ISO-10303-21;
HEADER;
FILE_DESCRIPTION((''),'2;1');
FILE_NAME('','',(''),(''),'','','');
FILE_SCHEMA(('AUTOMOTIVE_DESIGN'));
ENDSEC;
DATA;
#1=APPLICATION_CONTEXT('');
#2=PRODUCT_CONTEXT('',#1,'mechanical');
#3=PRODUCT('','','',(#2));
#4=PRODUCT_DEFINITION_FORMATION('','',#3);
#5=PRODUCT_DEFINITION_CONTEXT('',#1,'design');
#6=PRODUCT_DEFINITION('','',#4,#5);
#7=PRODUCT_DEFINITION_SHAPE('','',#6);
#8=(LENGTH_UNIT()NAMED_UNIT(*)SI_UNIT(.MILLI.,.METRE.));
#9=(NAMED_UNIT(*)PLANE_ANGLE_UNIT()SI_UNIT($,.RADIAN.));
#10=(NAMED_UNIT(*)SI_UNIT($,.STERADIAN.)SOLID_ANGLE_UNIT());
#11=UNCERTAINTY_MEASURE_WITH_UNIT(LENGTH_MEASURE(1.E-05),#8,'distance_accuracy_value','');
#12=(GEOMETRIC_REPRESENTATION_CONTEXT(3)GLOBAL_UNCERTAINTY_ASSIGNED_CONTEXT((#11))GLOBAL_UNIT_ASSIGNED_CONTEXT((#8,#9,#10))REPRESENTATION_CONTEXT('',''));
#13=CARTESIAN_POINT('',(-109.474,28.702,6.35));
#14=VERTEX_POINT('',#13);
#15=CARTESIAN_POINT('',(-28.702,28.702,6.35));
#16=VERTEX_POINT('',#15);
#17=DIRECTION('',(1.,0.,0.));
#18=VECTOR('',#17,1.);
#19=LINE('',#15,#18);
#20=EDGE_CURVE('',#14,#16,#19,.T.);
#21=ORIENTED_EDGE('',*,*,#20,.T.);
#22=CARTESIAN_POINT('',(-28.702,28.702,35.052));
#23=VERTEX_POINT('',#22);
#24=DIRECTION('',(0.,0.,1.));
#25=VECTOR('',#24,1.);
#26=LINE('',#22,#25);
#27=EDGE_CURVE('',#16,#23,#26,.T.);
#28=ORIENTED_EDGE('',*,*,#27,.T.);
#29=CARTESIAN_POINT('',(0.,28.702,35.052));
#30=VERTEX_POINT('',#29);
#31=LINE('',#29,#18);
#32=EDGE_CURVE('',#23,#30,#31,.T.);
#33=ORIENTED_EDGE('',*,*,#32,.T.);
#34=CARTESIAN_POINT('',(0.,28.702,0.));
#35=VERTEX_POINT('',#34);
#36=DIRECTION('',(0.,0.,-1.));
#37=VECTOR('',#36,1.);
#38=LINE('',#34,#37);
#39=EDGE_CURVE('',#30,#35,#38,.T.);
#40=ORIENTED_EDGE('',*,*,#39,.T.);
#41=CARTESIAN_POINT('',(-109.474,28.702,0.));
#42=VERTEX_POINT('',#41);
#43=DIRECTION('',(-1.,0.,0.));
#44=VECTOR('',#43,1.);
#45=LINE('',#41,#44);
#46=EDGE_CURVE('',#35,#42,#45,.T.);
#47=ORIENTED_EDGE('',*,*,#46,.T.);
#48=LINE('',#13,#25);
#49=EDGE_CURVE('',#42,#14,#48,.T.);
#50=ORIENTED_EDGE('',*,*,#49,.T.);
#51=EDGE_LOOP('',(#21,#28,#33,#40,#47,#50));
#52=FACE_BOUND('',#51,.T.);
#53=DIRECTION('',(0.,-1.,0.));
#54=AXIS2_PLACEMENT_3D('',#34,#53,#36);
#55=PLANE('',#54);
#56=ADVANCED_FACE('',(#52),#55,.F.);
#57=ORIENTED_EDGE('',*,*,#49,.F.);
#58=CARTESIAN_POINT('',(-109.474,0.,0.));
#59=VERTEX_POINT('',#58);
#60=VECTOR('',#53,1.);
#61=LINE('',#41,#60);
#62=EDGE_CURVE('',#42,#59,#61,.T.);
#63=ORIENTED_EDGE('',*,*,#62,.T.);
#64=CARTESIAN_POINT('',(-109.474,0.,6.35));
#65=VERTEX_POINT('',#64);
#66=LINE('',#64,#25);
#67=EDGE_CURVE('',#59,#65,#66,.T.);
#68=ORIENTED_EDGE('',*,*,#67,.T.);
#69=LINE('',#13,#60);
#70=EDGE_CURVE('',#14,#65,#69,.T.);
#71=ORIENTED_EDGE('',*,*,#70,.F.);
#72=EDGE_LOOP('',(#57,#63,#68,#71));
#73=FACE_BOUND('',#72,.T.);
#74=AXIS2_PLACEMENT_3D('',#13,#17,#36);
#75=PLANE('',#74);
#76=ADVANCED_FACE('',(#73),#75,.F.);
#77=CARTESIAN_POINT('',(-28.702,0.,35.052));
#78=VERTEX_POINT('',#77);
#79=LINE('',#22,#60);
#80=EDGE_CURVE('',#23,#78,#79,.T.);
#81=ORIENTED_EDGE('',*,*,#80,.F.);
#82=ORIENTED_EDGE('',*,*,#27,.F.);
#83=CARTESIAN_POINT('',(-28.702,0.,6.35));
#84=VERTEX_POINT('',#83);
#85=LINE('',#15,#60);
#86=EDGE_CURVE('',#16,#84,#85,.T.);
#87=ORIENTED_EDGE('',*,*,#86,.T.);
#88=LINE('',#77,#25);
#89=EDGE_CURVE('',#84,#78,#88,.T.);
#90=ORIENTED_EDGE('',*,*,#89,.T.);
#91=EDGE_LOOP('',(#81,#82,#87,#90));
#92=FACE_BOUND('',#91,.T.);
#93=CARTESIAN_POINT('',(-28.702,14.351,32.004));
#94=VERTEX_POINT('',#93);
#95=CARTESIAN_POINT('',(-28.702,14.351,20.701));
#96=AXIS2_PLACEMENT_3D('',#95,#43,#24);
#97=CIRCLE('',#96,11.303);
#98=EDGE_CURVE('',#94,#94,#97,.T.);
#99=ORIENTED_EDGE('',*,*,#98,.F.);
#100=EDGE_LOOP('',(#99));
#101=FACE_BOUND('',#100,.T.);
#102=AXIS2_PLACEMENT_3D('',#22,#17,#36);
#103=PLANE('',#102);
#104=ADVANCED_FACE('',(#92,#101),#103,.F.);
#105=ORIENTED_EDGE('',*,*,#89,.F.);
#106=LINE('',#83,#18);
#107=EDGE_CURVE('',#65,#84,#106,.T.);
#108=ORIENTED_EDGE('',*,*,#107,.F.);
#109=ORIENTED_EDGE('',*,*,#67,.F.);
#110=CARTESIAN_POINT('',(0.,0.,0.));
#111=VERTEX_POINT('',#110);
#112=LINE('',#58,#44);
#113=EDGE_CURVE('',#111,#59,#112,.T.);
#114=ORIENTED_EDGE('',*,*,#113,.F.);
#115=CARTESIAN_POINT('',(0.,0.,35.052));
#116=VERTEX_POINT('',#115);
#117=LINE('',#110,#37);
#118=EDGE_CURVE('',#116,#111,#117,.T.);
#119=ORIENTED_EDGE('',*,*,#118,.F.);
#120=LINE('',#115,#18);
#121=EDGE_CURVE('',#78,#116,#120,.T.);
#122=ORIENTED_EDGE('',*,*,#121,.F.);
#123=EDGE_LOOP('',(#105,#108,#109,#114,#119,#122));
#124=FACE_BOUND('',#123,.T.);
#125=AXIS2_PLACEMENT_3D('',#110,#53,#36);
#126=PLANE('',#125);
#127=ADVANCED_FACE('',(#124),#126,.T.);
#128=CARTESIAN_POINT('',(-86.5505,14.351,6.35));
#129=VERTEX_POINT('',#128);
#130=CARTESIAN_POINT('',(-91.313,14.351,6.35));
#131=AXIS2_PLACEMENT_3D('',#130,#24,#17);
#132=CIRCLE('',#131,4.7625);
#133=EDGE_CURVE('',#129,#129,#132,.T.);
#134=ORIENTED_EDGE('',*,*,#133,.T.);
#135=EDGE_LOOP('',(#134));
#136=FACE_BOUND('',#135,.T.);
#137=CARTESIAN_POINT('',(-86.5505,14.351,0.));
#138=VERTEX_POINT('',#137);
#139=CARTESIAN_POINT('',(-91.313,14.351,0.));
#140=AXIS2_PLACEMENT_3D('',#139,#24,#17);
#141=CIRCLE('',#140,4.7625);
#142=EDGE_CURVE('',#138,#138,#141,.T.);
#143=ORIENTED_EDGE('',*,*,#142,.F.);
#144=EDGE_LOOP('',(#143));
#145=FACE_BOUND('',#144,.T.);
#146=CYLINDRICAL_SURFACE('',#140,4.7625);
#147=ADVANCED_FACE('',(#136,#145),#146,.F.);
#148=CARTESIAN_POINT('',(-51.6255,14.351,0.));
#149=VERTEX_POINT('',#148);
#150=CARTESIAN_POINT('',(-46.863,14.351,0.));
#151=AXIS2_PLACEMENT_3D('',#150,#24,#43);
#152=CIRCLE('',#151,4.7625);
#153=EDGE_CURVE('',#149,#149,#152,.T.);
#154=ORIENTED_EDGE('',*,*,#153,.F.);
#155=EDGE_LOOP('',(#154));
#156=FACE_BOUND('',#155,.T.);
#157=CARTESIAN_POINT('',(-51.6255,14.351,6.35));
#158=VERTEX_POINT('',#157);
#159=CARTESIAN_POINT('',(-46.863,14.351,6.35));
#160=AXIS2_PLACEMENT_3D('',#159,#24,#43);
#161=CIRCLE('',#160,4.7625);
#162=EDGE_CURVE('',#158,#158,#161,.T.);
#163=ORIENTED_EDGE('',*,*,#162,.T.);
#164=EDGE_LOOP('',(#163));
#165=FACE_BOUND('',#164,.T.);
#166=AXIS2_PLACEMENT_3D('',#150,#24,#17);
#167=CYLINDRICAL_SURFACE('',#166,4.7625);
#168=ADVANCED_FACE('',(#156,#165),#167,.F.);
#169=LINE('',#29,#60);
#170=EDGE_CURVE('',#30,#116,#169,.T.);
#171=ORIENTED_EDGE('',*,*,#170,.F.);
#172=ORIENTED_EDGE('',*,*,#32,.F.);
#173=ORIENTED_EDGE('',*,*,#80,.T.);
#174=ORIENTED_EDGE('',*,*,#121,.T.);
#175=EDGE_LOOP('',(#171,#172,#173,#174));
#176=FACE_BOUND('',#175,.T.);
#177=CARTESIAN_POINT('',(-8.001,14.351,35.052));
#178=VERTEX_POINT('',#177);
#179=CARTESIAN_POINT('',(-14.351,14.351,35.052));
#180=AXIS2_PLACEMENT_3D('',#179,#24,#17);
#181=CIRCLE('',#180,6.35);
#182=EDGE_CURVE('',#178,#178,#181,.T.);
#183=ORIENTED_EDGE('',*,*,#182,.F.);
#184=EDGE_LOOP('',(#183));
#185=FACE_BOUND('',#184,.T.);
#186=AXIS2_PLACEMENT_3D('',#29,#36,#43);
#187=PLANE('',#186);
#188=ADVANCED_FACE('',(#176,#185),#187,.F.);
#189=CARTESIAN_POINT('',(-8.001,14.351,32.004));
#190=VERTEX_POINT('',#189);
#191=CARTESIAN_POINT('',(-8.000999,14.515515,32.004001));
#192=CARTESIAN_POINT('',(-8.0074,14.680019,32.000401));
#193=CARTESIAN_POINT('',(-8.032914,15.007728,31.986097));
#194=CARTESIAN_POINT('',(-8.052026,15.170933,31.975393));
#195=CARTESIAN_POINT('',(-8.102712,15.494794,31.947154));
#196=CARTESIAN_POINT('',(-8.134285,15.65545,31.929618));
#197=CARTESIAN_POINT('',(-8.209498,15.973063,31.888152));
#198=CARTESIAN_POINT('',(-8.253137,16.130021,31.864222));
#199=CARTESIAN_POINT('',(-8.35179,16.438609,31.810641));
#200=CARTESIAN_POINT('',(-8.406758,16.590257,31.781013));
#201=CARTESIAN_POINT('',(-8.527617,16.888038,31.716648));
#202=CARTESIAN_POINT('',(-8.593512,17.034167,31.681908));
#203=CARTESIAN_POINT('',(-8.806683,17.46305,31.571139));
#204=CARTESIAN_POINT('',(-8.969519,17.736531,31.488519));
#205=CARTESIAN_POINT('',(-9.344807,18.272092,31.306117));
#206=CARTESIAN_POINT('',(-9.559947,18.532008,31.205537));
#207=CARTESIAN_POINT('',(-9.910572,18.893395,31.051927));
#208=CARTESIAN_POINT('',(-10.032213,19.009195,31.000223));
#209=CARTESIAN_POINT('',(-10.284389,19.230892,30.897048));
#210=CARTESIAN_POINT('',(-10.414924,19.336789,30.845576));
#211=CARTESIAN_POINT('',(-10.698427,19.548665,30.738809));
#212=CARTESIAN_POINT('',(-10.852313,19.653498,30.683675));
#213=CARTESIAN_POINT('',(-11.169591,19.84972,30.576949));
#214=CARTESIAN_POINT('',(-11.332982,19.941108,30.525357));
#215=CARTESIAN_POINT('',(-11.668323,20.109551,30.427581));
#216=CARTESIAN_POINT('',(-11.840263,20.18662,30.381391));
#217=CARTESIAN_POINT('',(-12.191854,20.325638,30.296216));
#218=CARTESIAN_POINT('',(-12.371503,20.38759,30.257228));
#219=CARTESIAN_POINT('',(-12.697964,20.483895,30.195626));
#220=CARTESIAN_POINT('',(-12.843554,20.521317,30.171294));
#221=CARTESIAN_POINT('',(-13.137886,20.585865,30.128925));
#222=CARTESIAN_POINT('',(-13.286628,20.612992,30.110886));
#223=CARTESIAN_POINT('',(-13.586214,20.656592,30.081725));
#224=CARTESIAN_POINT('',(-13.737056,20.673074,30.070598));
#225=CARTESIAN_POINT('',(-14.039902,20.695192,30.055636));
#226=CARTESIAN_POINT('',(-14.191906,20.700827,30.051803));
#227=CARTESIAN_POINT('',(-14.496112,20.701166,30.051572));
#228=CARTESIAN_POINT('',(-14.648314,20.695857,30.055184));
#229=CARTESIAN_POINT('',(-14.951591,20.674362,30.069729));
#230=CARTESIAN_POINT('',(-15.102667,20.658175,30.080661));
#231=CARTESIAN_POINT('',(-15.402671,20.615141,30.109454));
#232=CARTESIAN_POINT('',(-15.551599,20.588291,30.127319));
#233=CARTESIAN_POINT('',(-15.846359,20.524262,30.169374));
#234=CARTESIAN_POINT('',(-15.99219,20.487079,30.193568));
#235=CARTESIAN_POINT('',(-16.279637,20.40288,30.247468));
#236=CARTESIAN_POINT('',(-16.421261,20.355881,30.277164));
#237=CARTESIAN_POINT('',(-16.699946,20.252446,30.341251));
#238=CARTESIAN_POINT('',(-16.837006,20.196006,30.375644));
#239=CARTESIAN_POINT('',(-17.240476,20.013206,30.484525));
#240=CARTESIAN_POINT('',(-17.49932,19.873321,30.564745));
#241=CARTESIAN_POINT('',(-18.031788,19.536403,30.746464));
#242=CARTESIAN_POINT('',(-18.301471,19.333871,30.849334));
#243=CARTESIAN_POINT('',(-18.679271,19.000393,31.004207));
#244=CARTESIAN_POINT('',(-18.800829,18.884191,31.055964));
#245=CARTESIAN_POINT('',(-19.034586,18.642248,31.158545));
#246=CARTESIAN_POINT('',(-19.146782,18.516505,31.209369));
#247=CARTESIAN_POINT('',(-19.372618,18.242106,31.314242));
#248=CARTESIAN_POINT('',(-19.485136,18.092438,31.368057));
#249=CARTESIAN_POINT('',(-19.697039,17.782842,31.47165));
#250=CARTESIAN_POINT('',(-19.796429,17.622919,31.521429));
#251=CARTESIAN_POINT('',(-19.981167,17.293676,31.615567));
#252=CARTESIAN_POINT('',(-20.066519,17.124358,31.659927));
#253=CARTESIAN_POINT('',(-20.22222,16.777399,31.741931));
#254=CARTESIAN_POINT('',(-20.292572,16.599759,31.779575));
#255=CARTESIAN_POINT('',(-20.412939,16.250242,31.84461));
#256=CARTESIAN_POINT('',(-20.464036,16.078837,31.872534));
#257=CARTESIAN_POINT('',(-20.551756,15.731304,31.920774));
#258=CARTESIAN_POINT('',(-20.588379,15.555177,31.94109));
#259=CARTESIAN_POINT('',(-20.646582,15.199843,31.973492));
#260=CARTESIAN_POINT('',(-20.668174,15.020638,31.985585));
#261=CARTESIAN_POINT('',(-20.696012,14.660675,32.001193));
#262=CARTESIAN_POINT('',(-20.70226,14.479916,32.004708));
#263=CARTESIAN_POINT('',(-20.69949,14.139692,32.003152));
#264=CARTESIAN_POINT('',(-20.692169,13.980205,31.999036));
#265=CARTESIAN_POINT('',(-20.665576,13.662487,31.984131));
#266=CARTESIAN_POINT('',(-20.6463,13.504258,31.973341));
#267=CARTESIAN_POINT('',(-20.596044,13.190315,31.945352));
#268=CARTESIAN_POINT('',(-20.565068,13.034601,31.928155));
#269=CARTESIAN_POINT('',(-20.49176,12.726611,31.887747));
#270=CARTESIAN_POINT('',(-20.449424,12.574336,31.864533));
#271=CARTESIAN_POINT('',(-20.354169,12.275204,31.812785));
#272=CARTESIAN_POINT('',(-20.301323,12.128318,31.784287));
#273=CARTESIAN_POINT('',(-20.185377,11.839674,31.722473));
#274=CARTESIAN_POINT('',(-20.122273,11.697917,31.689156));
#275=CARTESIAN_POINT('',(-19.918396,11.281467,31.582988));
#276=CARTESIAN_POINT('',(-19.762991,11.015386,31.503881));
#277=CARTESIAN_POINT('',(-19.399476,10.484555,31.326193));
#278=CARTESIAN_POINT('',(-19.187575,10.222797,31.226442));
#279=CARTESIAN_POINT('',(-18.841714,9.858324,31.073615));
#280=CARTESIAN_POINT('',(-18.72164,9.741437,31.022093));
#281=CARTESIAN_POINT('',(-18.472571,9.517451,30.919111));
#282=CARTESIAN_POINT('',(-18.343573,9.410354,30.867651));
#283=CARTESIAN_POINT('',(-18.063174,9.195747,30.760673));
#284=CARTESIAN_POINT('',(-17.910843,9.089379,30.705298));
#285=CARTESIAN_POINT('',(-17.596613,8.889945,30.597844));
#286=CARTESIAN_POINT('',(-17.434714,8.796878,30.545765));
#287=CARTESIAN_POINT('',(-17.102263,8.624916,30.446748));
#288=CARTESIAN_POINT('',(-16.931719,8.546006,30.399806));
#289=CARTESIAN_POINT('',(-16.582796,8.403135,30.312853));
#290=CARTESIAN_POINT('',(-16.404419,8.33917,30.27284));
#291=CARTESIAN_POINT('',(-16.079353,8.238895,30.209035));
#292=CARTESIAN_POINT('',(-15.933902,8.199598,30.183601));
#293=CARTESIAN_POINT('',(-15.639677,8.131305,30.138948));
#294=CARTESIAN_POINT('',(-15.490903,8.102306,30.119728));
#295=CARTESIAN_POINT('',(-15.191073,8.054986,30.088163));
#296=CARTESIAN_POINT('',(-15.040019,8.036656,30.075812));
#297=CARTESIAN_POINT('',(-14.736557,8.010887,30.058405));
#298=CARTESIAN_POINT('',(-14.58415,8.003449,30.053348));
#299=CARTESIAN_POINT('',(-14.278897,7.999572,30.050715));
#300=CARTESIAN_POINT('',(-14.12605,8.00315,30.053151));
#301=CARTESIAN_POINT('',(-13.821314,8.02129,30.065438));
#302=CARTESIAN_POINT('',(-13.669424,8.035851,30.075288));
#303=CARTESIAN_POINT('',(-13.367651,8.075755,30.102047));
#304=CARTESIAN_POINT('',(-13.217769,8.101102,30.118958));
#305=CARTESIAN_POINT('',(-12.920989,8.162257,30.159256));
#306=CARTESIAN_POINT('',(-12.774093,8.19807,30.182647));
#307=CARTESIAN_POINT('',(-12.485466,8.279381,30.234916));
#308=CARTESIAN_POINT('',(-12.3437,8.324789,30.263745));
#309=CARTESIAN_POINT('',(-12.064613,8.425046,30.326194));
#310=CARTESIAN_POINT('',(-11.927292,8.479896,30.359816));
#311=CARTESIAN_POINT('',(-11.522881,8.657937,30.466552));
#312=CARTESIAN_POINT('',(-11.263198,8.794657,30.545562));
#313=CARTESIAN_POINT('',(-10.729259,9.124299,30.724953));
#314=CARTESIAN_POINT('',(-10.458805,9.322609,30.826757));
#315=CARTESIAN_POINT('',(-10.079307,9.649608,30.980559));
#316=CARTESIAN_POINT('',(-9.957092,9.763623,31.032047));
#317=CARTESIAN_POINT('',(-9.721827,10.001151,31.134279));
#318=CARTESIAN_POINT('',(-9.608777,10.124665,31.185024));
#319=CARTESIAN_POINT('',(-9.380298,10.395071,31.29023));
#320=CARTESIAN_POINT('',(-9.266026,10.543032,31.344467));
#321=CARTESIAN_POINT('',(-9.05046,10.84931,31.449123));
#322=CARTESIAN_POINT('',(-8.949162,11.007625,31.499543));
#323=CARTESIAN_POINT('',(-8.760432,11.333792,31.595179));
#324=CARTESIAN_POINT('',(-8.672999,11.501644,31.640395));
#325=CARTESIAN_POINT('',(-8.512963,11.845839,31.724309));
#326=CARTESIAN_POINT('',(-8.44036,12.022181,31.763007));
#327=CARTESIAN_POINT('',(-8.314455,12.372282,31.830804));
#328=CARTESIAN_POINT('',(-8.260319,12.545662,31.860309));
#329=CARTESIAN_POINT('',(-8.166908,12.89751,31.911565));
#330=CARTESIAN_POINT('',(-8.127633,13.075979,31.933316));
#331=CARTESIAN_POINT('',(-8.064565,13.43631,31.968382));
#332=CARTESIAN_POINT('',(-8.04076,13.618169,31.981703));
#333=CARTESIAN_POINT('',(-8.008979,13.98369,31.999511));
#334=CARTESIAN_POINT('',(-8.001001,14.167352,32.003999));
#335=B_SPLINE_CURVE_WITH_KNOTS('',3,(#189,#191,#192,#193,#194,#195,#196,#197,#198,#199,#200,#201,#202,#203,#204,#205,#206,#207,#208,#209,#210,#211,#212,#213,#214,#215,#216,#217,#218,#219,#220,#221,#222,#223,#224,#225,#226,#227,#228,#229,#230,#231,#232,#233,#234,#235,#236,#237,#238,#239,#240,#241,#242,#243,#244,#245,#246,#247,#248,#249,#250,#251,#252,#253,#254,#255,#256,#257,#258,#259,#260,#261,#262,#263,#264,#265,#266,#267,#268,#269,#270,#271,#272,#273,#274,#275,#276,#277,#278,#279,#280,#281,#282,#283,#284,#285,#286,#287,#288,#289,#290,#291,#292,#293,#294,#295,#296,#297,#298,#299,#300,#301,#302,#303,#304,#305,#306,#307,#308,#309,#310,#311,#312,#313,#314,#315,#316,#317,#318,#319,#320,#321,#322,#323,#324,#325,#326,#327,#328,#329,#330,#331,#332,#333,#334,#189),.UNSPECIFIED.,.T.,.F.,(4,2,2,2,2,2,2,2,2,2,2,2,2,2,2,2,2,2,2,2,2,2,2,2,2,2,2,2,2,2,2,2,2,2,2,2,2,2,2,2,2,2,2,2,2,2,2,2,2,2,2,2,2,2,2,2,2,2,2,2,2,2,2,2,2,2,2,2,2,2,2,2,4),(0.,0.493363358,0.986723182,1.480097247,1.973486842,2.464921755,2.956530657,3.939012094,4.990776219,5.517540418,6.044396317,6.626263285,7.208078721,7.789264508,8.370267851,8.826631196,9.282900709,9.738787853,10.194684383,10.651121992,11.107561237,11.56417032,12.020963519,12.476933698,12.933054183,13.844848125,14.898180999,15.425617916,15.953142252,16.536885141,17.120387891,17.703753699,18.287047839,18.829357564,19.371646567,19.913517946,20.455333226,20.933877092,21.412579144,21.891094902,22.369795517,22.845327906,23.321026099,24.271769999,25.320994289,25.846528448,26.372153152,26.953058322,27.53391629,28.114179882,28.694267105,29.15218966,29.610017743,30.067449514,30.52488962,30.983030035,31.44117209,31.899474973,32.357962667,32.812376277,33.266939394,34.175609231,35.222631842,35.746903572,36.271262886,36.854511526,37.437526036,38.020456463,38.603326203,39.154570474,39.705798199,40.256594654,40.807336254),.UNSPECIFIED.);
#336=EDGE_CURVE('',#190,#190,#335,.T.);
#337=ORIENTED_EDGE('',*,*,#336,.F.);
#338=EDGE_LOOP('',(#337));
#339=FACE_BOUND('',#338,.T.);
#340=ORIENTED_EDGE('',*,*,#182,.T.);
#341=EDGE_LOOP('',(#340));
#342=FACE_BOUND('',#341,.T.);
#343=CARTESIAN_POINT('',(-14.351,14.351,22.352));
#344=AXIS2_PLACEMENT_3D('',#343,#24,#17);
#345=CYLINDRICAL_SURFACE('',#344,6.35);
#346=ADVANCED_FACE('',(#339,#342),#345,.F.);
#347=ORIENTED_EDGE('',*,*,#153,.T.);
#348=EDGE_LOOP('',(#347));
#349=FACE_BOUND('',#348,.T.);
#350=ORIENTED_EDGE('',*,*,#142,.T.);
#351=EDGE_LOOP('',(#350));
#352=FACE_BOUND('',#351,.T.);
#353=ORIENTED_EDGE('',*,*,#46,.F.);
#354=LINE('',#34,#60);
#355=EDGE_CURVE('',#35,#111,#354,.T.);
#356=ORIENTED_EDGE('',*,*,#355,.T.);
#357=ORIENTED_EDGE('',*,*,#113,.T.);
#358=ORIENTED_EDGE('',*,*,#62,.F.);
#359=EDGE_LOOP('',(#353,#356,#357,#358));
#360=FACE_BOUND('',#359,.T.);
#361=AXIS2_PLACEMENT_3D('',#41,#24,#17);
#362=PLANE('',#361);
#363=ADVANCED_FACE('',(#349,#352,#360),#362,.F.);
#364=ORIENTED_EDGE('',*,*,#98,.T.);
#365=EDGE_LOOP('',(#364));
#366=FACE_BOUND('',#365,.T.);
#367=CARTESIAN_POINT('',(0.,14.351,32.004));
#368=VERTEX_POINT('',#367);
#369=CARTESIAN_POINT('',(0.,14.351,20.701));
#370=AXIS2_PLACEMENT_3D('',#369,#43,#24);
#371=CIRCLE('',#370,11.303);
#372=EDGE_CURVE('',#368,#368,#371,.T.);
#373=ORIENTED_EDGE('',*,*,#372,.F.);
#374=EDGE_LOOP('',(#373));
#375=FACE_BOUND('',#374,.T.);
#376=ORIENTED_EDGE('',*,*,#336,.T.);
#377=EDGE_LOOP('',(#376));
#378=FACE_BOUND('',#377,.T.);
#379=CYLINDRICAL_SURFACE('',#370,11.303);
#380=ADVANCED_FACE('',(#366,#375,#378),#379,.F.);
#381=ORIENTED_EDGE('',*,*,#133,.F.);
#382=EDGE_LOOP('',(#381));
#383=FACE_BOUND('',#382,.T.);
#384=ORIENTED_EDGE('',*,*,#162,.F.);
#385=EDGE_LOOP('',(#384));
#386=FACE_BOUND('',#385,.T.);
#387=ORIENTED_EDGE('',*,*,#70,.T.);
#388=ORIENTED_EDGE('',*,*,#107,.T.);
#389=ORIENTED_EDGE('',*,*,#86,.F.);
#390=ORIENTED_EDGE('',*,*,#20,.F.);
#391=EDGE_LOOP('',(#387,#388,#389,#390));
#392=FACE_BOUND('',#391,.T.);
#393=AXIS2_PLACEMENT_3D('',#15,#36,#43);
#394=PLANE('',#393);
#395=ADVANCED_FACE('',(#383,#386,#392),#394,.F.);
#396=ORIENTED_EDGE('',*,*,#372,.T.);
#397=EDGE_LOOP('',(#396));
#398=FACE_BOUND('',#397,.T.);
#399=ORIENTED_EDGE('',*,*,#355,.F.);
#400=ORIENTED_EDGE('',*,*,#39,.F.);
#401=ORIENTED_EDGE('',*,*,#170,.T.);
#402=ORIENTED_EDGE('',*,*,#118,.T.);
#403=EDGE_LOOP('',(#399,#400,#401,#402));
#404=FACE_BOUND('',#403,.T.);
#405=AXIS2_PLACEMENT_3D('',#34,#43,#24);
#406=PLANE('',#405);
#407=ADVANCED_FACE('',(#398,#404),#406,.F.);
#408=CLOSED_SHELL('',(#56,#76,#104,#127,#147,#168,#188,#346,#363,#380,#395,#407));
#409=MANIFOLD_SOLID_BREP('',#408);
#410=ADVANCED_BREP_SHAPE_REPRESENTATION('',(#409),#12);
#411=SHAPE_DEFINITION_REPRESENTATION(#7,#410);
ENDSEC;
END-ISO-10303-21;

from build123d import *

# Parameters (mm, degrees)
EXTRUDE1_DEPTH = 28.702
SKETCH2_R      = 11.303
EXTRUDE2_DEPTH = 93.609737566
SKETCH3_R      = 6.35
EXTRUDE3_DEPTH = 12.7
SKETCH4_R      = 4.7625
EXTRUDE4_DEPTH = 117.756868277


with BuildPart() as part:
    # Sketch1 → Extrude1 (new body)
    with BuildSketch(Plane(origin=(0, 0, 0), x_dir=(1, 0, 0), z_dir=(0, 1, 0))):
        Polygon((0, 0), (0, -35.052), (-28.702, -35.052), (-28.702, -6.35), (-109.474, -6.35), (-109.474, 0), align=None)
    extrude(amount=EXTRUDE1_DEPTH)

    # Sketch2 → Extrude2 (cut, through all)
    with BuildSketch(Plane.ZY.offset(28.702)):
        with Locations((20.701, 14.351)):
            Circle(SKETCH2_R)
    extrude(amount=-EXTRUDE2_DEPTH, mode=Mode.SUBTRACT)

    # Sketch3 → Extrude3 (cut)
    with BuildSketch(Plane.XY.offset(35.052)):
        with Locations((-14.351, 14.351)):
            Circle(SKETCH3_R)
    extrude(amount=-EXTRUDE3_DEPTH, mode=Mode.SUBTRACT)

    # Sketch4 → Extrude4 (cut, through all)
    with BuildSketch(Plane.XY.offset(6.35)):
        with Locations((-91.313, 14.351)):
            Circle(SKETCH4_R)
        with Locations(Location((-46.863, 14.351, 0), (0, 0, 180))):
            Circle(SKETCH4_R)
    extrude(amount=-EXTRUDE4_DEPTH, mode=Mode.SUBTRACT)


solid = part.part
